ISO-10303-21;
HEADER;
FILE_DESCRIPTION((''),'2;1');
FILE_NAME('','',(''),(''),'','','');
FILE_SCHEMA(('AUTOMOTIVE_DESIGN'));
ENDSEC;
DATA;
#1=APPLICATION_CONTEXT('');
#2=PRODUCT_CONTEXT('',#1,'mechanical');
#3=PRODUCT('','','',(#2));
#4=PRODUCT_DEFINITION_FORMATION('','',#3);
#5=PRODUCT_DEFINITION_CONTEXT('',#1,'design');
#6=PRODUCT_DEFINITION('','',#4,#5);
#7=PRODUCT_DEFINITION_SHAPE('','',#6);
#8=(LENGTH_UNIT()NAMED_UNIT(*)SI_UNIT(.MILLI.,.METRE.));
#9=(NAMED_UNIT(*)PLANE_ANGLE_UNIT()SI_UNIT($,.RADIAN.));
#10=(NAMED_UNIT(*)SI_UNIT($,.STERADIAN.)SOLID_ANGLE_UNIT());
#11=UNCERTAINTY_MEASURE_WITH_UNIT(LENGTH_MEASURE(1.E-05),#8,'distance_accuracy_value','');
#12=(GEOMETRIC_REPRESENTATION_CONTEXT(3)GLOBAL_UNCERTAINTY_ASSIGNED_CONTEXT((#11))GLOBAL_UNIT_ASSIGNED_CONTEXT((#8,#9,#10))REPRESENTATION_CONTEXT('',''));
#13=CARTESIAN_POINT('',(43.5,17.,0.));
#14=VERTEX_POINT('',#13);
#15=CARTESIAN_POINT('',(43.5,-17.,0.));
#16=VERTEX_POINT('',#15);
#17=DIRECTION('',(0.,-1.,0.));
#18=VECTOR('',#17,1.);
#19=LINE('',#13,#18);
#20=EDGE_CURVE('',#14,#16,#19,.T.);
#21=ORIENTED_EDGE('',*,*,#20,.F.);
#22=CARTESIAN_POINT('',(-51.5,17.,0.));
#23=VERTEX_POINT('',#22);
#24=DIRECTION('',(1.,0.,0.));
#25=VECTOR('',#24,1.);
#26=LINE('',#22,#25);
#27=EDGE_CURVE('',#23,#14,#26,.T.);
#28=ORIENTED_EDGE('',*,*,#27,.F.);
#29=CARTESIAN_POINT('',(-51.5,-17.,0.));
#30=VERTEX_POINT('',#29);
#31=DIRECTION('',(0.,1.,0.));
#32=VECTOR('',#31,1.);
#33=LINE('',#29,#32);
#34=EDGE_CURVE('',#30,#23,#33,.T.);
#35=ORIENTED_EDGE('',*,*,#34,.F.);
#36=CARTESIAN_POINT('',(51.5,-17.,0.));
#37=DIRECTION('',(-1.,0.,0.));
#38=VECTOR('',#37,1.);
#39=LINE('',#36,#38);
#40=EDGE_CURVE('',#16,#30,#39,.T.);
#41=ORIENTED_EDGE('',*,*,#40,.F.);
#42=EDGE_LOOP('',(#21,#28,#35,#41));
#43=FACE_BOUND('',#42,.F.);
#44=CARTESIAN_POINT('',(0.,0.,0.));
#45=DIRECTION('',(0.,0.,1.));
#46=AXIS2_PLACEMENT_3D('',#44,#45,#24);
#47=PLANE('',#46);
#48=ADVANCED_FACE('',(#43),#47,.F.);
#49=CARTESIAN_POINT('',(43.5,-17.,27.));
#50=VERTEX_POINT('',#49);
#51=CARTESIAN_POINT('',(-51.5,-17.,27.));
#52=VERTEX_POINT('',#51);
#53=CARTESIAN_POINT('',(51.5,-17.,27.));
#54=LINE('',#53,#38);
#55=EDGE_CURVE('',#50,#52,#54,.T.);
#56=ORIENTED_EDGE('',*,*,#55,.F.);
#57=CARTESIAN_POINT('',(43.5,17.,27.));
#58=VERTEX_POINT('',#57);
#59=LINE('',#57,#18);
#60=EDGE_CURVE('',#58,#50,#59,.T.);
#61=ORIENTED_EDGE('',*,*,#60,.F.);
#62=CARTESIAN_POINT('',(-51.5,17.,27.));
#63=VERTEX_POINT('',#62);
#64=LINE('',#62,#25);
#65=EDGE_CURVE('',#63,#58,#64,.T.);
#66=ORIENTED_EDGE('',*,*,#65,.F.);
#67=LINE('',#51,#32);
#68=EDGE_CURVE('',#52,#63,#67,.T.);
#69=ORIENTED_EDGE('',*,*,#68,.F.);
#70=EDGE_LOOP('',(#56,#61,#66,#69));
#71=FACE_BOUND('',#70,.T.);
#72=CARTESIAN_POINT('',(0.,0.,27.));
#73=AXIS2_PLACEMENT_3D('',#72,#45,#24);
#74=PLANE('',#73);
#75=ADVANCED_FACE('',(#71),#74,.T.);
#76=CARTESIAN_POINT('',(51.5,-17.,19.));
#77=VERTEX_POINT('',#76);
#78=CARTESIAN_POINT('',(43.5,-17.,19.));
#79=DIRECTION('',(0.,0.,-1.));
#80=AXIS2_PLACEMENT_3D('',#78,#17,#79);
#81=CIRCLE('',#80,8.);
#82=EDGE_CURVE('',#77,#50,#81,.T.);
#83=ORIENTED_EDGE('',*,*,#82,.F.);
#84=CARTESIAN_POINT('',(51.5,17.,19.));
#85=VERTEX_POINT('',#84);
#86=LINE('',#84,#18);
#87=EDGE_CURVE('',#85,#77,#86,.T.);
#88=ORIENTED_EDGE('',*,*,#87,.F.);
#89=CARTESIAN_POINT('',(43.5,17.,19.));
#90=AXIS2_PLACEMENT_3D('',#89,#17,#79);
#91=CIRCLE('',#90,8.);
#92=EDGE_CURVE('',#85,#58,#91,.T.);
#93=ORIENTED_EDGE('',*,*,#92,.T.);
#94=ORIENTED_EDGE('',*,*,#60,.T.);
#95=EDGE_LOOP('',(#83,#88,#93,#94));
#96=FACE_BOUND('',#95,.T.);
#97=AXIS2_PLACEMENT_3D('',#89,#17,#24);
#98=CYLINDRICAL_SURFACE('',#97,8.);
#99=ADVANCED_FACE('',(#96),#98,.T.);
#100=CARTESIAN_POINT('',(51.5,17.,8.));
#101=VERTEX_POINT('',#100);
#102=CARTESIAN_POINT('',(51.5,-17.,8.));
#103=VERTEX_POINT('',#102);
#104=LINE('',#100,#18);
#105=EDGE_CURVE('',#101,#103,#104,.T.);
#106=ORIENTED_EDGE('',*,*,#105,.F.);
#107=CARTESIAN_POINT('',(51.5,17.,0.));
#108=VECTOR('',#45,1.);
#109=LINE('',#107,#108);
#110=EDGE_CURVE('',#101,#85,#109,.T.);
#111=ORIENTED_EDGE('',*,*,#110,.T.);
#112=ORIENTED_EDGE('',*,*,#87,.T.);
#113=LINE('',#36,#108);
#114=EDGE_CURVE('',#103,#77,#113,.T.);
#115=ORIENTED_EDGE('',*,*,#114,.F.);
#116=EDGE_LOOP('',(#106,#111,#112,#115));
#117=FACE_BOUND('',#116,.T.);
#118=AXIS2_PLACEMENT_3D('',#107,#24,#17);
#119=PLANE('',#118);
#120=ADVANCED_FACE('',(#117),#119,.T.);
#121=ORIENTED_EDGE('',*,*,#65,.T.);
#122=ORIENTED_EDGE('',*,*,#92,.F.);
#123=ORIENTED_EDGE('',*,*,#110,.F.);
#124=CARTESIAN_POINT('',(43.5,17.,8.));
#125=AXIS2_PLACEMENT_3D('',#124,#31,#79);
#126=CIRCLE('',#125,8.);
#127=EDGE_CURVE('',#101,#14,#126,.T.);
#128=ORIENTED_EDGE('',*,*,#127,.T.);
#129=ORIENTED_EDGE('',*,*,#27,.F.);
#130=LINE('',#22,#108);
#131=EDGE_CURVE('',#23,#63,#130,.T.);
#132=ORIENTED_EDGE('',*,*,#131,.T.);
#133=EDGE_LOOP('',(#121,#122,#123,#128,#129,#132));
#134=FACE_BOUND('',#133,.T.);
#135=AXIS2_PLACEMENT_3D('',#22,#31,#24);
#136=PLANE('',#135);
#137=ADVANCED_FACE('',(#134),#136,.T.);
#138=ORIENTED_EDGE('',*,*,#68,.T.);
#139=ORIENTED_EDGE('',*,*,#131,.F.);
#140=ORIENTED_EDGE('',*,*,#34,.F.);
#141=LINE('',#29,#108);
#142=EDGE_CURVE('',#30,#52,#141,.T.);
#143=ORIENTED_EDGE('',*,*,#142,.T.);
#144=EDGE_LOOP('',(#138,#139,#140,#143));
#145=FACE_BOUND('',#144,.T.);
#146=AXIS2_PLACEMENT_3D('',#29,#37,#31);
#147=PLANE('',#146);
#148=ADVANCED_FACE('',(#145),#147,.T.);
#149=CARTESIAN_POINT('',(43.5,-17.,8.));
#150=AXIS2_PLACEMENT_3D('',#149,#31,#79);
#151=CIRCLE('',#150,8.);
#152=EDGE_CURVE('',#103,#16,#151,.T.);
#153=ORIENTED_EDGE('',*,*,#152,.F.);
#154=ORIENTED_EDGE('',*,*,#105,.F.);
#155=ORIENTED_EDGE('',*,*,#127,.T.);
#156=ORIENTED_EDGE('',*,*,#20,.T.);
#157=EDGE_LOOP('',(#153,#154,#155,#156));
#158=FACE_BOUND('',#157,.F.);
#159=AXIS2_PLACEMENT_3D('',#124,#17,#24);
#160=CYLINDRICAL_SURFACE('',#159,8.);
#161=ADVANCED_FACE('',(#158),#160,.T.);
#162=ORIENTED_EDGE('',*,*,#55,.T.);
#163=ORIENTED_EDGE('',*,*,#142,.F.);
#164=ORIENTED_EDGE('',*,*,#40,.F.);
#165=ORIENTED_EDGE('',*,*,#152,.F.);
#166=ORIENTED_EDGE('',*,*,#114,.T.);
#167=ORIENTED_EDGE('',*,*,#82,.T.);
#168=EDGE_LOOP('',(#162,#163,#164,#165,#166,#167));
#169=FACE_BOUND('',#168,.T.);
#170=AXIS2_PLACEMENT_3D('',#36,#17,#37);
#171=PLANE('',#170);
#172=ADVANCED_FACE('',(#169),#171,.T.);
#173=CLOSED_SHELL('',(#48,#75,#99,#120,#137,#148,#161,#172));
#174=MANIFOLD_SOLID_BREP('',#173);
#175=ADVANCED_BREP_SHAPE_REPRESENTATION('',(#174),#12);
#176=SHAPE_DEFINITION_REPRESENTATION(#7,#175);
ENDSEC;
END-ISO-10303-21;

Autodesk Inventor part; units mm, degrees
ref_plane "YZ Plane" through (0, 0, 0) normal (1, 0, 0) x (0, 1, 0)
ref_plane "XZ Plane" through (0, 0, 0) normal (0, 1, 0) x (-1, 0, 0)
ref_plane "XY Plane" through (0, 0, 0) normal (0, 0, 1) x (1, 0, 0)
sketch "Sketch1" plane through (0, 0, 0) normal (0, 0, 1) x (1, 0, 0)
  line L0 (51.5, -17) -> (-51.5, -17)
  line L1 (-51.5, -17) -> (-51.5, 17)
  line L2 (-51.5, 17) -> (51.5, 17)
  line L3 (51.5, 17) -> (51.5, -17)
  line L4 (51.5, -17) -> (-51.5, 17) construction
  line L5 (-51.5, -17) -> (51.5, 17) construction
  point P0 (0, 0)
  dimension "d0" = 103
  dimension "d1" = 34
extrude "Extrusion1" add sketch "Sketch1" along normal blind 27
fillet "Fillet1" radius 8 2 edges at (51.5, 0, 27) (51.5, 0, 0)
properties part number "Battery"
